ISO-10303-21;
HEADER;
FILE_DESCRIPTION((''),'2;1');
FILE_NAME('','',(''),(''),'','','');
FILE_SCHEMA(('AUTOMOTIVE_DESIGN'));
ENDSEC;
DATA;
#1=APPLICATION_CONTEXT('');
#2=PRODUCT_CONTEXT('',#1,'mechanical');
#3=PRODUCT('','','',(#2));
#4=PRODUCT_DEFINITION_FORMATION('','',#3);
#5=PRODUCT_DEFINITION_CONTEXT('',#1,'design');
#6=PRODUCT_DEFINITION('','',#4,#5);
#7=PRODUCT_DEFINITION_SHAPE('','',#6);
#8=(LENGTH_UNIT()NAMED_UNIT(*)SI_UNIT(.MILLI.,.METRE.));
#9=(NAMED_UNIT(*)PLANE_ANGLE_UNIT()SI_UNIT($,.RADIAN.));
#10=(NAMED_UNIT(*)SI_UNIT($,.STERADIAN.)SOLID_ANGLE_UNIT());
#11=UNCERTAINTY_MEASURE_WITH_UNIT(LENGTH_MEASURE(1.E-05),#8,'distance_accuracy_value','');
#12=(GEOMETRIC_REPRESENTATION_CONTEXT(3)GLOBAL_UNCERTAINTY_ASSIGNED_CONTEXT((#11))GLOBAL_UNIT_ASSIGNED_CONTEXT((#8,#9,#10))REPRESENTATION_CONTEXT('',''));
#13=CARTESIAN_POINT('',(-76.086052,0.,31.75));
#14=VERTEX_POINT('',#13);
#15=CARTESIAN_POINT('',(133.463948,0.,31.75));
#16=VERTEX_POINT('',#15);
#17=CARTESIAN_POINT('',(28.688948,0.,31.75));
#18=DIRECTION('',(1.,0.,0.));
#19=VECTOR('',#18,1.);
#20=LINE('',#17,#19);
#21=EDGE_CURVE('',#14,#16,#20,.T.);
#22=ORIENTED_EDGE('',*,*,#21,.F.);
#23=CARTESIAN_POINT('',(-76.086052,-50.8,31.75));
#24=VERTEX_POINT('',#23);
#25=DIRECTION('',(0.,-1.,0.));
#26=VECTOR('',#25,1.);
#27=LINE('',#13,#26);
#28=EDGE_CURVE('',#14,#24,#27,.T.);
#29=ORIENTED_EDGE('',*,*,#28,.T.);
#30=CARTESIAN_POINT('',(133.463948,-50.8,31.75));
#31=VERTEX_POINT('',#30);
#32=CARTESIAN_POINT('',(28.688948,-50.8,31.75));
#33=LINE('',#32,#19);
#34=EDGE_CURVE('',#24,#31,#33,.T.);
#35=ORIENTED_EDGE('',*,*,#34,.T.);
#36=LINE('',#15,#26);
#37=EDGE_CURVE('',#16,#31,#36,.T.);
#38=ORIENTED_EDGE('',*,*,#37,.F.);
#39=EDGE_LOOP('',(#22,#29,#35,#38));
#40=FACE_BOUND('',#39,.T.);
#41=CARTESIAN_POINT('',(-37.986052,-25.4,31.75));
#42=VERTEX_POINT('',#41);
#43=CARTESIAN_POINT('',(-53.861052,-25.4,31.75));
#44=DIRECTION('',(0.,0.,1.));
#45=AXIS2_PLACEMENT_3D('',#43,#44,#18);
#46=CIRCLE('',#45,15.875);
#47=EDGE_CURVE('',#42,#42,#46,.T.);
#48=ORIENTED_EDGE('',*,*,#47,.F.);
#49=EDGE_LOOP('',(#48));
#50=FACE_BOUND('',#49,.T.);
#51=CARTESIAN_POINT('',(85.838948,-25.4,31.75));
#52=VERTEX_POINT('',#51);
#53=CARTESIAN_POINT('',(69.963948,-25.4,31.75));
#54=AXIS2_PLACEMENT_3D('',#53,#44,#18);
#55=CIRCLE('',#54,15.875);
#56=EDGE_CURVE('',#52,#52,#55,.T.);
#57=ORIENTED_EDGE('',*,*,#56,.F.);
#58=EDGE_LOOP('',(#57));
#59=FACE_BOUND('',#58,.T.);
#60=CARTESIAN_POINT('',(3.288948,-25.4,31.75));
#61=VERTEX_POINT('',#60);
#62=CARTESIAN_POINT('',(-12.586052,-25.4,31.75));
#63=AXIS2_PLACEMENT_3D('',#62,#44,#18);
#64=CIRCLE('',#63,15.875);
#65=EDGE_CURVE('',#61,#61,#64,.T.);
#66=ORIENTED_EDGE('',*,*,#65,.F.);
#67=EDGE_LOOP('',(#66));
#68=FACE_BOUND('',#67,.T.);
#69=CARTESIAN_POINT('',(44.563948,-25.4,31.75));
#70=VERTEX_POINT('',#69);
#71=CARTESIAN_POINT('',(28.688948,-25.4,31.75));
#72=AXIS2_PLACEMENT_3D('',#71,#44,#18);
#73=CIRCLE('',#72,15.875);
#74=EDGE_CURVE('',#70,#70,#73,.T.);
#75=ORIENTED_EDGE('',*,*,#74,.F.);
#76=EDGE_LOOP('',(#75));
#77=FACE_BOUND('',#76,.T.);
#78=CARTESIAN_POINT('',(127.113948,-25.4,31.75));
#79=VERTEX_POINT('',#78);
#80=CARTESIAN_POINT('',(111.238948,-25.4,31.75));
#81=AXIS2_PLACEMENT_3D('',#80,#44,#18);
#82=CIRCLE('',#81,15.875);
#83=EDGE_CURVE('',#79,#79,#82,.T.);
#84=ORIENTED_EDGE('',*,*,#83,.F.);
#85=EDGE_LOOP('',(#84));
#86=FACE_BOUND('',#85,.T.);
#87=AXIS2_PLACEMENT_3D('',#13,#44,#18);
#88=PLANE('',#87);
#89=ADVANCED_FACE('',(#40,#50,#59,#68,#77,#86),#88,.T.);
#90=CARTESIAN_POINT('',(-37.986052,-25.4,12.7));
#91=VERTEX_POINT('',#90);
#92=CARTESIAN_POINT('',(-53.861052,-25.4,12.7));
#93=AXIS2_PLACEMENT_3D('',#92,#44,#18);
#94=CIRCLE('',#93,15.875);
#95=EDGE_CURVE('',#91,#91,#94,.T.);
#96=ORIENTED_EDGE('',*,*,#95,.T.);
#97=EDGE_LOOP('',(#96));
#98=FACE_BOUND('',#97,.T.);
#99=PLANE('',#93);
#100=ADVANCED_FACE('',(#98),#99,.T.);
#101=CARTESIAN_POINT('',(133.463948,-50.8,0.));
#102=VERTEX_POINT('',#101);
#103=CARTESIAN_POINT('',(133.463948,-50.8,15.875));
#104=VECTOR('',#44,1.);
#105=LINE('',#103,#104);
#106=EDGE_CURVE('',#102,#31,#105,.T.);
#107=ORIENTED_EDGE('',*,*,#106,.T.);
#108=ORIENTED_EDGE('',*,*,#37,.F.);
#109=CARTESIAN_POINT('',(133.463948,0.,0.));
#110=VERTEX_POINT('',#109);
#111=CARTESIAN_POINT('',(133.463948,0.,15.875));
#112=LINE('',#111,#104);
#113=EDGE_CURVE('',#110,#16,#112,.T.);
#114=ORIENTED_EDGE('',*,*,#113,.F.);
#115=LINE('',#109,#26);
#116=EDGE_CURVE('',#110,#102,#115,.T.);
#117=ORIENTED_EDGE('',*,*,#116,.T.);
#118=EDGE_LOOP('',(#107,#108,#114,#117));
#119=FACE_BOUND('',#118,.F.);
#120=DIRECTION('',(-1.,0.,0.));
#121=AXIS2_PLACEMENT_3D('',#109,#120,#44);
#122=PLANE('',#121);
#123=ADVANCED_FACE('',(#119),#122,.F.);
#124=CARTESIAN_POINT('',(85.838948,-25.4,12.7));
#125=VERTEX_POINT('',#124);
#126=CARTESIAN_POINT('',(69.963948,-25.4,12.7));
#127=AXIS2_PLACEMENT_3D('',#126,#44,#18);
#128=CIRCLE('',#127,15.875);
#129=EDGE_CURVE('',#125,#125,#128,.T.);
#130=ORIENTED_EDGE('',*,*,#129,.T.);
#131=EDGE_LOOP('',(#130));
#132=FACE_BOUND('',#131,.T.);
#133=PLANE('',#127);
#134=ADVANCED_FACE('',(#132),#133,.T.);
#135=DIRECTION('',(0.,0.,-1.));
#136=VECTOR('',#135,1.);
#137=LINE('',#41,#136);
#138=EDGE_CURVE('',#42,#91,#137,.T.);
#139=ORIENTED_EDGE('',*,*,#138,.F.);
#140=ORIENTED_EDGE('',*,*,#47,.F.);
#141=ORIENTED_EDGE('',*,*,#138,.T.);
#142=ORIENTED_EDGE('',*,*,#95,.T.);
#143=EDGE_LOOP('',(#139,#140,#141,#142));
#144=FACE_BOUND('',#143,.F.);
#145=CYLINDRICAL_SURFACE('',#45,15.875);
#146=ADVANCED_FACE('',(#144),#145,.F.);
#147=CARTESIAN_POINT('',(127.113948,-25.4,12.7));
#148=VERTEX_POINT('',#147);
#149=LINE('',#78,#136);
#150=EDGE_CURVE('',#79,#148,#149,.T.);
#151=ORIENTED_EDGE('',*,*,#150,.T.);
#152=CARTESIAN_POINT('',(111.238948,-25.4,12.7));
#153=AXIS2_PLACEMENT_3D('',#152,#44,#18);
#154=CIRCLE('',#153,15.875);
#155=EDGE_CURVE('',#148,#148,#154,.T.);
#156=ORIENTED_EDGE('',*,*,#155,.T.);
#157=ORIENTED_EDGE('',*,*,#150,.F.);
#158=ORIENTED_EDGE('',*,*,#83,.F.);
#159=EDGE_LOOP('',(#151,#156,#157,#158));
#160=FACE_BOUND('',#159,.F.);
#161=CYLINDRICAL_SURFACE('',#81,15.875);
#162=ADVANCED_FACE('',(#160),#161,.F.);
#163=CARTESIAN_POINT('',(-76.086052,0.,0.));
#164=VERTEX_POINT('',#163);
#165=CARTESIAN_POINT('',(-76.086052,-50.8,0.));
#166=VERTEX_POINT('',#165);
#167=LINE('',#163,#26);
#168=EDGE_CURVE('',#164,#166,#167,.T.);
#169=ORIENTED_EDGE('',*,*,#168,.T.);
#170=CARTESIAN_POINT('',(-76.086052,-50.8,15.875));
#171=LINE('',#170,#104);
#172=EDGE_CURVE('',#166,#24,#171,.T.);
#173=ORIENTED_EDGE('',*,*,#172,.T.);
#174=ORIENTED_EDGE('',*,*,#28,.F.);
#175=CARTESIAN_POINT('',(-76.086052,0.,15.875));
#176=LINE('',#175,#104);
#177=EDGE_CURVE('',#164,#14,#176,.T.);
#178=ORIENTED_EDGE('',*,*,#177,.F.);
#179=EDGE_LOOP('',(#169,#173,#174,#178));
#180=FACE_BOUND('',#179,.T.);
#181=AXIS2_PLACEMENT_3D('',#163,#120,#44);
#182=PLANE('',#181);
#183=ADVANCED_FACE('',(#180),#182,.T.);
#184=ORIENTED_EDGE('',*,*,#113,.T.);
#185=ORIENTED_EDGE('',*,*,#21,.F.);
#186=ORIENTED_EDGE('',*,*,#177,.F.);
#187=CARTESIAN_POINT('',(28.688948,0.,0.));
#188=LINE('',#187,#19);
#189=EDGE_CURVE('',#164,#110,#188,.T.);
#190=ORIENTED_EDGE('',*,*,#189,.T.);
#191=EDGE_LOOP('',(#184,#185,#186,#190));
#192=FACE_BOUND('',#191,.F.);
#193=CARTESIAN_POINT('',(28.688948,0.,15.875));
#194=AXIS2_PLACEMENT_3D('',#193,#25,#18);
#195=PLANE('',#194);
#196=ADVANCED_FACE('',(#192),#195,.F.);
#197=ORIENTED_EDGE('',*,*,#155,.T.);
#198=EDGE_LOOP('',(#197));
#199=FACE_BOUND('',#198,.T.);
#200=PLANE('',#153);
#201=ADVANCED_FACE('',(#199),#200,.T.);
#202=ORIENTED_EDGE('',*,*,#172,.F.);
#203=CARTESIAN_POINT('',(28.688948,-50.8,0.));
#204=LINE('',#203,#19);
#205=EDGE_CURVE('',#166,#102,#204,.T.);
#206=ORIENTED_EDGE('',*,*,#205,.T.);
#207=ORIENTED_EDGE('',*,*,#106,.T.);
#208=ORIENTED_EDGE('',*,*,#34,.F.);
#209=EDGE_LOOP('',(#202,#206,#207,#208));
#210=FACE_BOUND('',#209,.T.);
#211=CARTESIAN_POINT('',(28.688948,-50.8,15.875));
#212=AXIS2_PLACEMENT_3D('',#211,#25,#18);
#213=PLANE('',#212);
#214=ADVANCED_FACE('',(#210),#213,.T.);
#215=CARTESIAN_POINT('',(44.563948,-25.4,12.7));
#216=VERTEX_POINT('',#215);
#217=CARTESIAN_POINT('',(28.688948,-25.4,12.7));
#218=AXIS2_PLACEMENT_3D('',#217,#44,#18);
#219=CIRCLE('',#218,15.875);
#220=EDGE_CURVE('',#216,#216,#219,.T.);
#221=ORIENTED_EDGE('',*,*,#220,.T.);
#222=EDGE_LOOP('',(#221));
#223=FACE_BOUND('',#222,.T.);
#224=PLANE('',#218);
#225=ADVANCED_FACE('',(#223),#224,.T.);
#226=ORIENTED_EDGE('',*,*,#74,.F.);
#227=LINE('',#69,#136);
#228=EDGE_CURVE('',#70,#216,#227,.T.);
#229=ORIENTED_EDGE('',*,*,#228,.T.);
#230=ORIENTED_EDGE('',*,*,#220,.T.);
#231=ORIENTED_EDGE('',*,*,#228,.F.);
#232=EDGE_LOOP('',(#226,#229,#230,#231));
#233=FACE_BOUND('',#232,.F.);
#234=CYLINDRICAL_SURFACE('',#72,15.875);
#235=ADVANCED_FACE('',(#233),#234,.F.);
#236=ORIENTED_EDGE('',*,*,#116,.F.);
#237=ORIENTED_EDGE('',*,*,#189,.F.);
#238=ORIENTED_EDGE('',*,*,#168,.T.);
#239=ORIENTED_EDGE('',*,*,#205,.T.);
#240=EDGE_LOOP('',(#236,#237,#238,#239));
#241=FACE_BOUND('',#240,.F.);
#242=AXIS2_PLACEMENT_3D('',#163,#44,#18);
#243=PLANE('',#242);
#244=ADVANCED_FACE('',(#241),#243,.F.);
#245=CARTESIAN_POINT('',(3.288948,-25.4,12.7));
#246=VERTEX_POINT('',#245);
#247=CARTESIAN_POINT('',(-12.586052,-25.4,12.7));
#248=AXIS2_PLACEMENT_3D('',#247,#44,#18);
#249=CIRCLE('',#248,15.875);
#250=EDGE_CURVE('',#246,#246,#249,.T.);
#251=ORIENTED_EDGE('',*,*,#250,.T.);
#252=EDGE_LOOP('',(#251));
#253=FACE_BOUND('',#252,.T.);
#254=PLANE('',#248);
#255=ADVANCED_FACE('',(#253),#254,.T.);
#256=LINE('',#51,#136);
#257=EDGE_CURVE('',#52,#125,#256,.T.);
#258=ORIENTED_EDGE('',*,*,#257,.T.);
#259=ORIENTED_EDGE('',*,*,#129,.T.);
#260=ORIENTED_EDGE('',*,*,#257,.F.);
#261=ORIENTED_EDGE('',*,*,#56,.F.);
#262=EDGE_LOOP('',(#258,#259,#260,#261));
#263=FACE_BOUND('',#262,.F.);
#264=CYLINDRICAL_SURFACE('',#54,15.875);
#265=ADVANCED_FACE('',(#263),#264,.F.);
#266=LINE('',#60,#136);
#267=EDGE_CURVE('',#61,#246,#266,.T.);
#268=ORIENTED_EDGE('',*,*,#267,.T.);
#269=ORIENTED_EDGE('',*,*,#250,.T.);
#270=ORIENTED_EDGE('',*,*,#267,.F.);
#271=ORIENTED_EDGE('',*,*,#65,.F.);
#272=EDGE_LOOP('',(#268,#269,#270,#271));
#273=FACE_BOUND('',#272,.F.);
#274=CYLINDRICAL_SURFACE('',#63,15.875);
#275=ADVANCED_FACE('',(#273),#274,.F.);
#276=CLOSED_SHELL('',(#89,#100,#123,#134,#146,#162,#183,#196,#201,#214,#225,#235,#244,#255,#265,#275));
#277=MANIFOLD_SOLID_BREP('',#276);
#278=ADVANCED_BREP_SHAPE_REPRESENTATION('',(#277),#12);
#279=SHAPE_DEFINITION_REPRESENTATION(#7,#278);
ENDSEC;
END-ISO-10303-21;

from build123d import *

# Parameters (mm, degrees)
F0_W     = 209.55
F0_H     = 31.75
F1_DEPTH = 50.8
F2_R     = 15.875
F3_DEPTH = 19.05


with BuildPart() as f1:
    # F0 (on Front) → F1 (new body)
    with BuildSketch(Plane.XZ):
        with Locations((28.688948, 15.875)):
            Rectangle(F0_W, F0_H)
    extrude(amount=F1_DEPTH)

    # F2 (on face) → F3 (cut)
    with BuildSketch(Plane.XY.offset(31.75)):
        with Locations((-53.861052, -25.4)):
            Circle(F2_R)
        with Locations((-12.586052, -25.4)):
            Circle(F2_R)
        with Locations((28.688948, -25.4)):
            Circle(F2_R)
        with Locations((69.963948, -25.4)):
            Circle(F2_R)
        with Locations((111.238948, -25.4)):
            Circle(F2_R)
    extrude(amount=-F3_DEPTH, mode=Mode.SUBTRACT)


solid = f1.part
